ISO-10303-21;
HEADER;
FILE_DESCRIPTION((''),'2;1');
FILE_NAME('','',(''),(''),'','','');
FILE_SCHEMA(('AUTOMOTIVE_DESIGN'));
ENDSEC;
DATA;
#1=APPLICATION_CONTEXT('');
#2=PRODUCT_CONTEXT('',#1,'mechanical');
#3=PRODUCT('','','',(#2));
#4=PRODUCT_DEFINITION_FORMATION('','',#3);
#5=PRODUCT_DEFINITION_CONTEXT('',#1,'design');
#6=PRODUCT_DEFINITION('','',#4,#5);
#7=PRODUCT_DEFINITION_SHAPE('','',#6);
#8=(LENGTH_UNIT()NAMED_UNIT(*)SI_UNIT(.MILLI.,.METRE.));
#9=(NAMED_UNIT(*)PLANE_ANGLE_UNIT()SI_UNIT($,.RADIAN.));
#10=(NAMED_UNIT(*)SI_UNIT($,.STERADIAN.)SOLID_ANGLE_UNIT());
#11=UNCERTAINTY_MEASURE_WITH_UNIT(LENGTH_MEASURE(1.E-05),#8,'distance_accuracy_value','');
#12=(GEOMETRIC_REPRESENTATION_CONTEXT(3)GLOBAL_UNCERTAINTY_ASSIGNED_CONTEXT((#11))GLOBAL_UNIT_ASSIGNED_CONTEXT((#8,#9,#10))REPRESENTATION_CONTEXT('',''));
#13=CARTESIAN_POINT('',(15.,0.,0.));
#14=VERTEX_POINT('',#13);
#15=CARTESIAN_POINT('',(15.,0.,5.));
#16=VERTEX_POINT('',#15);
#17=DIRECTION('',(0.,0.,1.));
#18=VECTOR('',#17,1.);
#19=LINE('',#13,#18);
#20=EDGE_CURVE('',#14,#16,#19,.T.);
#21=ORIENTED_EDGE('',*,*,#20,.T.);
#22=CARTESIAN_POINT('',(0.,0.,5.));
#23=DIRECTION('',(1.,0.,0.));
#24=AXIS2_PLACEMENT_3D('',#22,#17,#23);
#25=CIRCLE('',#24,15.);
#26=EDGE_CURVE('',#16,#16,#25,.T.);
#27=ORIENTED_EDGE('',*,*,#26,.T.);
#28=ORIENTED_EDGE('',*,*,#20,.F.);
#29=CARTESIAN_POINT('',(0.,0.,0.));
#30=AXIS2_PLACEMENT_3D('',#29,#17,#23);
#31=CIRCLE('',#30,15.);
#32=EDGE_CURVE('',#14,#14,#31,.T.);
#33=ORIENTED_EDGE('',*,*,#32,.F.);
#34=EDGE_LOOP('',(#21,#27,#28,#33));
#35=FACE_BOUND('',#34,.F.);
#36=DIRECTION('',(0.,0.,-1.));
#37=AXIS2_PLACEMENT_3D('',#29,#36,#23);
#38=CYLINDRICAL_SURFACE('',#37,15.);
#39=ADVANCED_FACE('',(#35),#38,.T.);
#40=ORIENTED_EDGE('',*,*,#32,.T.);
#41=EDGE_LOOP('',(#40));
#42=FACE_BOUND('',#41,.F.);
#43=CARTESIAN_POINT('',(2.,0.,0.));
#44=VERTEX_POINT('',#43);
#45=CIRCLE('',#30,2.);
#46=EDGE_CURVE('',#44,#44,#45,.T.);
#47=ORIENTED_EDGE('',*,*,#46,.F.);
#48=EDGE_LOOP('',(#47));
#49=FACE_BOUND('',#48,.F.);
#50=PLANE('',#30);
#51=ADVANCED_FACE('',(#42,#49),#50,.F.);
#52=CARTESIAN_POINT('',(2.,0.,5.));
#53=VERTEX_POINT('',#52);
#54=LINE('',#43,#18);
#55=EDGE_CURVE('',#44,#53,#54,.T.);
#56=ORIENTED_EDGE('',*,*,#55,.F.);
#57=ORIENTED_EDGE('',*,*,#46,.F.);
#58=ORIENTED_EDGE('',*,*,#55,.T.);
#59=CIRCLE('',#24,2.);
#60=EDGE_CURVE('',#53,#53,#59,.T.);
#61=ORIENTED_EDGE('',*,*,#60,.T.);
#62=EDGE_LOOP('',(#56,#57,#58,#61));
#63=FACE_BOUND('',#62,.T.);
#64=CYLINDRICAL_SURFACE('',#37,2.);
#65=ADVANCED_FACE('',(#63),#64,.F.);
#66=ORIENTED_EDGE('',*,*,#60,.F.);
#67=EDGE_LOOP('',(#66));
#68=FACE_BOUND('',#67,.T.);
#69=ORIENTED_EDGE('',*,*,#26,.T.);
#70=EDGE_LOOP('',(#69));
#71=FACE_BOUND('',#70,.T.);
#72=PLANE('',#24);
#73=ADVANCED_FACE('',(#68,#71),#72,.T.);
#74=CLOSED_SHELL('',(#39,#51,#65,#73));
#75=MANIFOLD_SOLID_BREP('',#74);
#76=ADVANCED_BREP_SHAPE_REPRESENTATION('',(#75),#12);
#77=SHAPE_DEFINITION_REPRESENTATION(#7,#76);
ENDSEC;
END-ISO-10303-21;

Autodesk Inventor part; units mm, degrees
ref_plane "YZ Plane" through (0, 0, 0) normal (1, 0, 0) x (0, 1, 0)
ref_plane "XZ Plane" through (0, 0, 0) normal (0, 1, 0) x (-1, 0, 0)
ref_plane "XY Plane" through (0, 0, 0) normal (0, 0, 1) x (1, 0, 0)
sketch "Sketch1" plane through (0, 0, 0) normal (0, 0, 1) x (1, 0, 0)
  circle A0 centre (0, 0) radius 15
  circle A1 centre (0, 0) radius 2
  dimension "d4" = 30
  dimension "d5" = 4
extrude "Extrusion1" add sketch "Sketch1" along normal blind 5
properties part number "bold holder"
